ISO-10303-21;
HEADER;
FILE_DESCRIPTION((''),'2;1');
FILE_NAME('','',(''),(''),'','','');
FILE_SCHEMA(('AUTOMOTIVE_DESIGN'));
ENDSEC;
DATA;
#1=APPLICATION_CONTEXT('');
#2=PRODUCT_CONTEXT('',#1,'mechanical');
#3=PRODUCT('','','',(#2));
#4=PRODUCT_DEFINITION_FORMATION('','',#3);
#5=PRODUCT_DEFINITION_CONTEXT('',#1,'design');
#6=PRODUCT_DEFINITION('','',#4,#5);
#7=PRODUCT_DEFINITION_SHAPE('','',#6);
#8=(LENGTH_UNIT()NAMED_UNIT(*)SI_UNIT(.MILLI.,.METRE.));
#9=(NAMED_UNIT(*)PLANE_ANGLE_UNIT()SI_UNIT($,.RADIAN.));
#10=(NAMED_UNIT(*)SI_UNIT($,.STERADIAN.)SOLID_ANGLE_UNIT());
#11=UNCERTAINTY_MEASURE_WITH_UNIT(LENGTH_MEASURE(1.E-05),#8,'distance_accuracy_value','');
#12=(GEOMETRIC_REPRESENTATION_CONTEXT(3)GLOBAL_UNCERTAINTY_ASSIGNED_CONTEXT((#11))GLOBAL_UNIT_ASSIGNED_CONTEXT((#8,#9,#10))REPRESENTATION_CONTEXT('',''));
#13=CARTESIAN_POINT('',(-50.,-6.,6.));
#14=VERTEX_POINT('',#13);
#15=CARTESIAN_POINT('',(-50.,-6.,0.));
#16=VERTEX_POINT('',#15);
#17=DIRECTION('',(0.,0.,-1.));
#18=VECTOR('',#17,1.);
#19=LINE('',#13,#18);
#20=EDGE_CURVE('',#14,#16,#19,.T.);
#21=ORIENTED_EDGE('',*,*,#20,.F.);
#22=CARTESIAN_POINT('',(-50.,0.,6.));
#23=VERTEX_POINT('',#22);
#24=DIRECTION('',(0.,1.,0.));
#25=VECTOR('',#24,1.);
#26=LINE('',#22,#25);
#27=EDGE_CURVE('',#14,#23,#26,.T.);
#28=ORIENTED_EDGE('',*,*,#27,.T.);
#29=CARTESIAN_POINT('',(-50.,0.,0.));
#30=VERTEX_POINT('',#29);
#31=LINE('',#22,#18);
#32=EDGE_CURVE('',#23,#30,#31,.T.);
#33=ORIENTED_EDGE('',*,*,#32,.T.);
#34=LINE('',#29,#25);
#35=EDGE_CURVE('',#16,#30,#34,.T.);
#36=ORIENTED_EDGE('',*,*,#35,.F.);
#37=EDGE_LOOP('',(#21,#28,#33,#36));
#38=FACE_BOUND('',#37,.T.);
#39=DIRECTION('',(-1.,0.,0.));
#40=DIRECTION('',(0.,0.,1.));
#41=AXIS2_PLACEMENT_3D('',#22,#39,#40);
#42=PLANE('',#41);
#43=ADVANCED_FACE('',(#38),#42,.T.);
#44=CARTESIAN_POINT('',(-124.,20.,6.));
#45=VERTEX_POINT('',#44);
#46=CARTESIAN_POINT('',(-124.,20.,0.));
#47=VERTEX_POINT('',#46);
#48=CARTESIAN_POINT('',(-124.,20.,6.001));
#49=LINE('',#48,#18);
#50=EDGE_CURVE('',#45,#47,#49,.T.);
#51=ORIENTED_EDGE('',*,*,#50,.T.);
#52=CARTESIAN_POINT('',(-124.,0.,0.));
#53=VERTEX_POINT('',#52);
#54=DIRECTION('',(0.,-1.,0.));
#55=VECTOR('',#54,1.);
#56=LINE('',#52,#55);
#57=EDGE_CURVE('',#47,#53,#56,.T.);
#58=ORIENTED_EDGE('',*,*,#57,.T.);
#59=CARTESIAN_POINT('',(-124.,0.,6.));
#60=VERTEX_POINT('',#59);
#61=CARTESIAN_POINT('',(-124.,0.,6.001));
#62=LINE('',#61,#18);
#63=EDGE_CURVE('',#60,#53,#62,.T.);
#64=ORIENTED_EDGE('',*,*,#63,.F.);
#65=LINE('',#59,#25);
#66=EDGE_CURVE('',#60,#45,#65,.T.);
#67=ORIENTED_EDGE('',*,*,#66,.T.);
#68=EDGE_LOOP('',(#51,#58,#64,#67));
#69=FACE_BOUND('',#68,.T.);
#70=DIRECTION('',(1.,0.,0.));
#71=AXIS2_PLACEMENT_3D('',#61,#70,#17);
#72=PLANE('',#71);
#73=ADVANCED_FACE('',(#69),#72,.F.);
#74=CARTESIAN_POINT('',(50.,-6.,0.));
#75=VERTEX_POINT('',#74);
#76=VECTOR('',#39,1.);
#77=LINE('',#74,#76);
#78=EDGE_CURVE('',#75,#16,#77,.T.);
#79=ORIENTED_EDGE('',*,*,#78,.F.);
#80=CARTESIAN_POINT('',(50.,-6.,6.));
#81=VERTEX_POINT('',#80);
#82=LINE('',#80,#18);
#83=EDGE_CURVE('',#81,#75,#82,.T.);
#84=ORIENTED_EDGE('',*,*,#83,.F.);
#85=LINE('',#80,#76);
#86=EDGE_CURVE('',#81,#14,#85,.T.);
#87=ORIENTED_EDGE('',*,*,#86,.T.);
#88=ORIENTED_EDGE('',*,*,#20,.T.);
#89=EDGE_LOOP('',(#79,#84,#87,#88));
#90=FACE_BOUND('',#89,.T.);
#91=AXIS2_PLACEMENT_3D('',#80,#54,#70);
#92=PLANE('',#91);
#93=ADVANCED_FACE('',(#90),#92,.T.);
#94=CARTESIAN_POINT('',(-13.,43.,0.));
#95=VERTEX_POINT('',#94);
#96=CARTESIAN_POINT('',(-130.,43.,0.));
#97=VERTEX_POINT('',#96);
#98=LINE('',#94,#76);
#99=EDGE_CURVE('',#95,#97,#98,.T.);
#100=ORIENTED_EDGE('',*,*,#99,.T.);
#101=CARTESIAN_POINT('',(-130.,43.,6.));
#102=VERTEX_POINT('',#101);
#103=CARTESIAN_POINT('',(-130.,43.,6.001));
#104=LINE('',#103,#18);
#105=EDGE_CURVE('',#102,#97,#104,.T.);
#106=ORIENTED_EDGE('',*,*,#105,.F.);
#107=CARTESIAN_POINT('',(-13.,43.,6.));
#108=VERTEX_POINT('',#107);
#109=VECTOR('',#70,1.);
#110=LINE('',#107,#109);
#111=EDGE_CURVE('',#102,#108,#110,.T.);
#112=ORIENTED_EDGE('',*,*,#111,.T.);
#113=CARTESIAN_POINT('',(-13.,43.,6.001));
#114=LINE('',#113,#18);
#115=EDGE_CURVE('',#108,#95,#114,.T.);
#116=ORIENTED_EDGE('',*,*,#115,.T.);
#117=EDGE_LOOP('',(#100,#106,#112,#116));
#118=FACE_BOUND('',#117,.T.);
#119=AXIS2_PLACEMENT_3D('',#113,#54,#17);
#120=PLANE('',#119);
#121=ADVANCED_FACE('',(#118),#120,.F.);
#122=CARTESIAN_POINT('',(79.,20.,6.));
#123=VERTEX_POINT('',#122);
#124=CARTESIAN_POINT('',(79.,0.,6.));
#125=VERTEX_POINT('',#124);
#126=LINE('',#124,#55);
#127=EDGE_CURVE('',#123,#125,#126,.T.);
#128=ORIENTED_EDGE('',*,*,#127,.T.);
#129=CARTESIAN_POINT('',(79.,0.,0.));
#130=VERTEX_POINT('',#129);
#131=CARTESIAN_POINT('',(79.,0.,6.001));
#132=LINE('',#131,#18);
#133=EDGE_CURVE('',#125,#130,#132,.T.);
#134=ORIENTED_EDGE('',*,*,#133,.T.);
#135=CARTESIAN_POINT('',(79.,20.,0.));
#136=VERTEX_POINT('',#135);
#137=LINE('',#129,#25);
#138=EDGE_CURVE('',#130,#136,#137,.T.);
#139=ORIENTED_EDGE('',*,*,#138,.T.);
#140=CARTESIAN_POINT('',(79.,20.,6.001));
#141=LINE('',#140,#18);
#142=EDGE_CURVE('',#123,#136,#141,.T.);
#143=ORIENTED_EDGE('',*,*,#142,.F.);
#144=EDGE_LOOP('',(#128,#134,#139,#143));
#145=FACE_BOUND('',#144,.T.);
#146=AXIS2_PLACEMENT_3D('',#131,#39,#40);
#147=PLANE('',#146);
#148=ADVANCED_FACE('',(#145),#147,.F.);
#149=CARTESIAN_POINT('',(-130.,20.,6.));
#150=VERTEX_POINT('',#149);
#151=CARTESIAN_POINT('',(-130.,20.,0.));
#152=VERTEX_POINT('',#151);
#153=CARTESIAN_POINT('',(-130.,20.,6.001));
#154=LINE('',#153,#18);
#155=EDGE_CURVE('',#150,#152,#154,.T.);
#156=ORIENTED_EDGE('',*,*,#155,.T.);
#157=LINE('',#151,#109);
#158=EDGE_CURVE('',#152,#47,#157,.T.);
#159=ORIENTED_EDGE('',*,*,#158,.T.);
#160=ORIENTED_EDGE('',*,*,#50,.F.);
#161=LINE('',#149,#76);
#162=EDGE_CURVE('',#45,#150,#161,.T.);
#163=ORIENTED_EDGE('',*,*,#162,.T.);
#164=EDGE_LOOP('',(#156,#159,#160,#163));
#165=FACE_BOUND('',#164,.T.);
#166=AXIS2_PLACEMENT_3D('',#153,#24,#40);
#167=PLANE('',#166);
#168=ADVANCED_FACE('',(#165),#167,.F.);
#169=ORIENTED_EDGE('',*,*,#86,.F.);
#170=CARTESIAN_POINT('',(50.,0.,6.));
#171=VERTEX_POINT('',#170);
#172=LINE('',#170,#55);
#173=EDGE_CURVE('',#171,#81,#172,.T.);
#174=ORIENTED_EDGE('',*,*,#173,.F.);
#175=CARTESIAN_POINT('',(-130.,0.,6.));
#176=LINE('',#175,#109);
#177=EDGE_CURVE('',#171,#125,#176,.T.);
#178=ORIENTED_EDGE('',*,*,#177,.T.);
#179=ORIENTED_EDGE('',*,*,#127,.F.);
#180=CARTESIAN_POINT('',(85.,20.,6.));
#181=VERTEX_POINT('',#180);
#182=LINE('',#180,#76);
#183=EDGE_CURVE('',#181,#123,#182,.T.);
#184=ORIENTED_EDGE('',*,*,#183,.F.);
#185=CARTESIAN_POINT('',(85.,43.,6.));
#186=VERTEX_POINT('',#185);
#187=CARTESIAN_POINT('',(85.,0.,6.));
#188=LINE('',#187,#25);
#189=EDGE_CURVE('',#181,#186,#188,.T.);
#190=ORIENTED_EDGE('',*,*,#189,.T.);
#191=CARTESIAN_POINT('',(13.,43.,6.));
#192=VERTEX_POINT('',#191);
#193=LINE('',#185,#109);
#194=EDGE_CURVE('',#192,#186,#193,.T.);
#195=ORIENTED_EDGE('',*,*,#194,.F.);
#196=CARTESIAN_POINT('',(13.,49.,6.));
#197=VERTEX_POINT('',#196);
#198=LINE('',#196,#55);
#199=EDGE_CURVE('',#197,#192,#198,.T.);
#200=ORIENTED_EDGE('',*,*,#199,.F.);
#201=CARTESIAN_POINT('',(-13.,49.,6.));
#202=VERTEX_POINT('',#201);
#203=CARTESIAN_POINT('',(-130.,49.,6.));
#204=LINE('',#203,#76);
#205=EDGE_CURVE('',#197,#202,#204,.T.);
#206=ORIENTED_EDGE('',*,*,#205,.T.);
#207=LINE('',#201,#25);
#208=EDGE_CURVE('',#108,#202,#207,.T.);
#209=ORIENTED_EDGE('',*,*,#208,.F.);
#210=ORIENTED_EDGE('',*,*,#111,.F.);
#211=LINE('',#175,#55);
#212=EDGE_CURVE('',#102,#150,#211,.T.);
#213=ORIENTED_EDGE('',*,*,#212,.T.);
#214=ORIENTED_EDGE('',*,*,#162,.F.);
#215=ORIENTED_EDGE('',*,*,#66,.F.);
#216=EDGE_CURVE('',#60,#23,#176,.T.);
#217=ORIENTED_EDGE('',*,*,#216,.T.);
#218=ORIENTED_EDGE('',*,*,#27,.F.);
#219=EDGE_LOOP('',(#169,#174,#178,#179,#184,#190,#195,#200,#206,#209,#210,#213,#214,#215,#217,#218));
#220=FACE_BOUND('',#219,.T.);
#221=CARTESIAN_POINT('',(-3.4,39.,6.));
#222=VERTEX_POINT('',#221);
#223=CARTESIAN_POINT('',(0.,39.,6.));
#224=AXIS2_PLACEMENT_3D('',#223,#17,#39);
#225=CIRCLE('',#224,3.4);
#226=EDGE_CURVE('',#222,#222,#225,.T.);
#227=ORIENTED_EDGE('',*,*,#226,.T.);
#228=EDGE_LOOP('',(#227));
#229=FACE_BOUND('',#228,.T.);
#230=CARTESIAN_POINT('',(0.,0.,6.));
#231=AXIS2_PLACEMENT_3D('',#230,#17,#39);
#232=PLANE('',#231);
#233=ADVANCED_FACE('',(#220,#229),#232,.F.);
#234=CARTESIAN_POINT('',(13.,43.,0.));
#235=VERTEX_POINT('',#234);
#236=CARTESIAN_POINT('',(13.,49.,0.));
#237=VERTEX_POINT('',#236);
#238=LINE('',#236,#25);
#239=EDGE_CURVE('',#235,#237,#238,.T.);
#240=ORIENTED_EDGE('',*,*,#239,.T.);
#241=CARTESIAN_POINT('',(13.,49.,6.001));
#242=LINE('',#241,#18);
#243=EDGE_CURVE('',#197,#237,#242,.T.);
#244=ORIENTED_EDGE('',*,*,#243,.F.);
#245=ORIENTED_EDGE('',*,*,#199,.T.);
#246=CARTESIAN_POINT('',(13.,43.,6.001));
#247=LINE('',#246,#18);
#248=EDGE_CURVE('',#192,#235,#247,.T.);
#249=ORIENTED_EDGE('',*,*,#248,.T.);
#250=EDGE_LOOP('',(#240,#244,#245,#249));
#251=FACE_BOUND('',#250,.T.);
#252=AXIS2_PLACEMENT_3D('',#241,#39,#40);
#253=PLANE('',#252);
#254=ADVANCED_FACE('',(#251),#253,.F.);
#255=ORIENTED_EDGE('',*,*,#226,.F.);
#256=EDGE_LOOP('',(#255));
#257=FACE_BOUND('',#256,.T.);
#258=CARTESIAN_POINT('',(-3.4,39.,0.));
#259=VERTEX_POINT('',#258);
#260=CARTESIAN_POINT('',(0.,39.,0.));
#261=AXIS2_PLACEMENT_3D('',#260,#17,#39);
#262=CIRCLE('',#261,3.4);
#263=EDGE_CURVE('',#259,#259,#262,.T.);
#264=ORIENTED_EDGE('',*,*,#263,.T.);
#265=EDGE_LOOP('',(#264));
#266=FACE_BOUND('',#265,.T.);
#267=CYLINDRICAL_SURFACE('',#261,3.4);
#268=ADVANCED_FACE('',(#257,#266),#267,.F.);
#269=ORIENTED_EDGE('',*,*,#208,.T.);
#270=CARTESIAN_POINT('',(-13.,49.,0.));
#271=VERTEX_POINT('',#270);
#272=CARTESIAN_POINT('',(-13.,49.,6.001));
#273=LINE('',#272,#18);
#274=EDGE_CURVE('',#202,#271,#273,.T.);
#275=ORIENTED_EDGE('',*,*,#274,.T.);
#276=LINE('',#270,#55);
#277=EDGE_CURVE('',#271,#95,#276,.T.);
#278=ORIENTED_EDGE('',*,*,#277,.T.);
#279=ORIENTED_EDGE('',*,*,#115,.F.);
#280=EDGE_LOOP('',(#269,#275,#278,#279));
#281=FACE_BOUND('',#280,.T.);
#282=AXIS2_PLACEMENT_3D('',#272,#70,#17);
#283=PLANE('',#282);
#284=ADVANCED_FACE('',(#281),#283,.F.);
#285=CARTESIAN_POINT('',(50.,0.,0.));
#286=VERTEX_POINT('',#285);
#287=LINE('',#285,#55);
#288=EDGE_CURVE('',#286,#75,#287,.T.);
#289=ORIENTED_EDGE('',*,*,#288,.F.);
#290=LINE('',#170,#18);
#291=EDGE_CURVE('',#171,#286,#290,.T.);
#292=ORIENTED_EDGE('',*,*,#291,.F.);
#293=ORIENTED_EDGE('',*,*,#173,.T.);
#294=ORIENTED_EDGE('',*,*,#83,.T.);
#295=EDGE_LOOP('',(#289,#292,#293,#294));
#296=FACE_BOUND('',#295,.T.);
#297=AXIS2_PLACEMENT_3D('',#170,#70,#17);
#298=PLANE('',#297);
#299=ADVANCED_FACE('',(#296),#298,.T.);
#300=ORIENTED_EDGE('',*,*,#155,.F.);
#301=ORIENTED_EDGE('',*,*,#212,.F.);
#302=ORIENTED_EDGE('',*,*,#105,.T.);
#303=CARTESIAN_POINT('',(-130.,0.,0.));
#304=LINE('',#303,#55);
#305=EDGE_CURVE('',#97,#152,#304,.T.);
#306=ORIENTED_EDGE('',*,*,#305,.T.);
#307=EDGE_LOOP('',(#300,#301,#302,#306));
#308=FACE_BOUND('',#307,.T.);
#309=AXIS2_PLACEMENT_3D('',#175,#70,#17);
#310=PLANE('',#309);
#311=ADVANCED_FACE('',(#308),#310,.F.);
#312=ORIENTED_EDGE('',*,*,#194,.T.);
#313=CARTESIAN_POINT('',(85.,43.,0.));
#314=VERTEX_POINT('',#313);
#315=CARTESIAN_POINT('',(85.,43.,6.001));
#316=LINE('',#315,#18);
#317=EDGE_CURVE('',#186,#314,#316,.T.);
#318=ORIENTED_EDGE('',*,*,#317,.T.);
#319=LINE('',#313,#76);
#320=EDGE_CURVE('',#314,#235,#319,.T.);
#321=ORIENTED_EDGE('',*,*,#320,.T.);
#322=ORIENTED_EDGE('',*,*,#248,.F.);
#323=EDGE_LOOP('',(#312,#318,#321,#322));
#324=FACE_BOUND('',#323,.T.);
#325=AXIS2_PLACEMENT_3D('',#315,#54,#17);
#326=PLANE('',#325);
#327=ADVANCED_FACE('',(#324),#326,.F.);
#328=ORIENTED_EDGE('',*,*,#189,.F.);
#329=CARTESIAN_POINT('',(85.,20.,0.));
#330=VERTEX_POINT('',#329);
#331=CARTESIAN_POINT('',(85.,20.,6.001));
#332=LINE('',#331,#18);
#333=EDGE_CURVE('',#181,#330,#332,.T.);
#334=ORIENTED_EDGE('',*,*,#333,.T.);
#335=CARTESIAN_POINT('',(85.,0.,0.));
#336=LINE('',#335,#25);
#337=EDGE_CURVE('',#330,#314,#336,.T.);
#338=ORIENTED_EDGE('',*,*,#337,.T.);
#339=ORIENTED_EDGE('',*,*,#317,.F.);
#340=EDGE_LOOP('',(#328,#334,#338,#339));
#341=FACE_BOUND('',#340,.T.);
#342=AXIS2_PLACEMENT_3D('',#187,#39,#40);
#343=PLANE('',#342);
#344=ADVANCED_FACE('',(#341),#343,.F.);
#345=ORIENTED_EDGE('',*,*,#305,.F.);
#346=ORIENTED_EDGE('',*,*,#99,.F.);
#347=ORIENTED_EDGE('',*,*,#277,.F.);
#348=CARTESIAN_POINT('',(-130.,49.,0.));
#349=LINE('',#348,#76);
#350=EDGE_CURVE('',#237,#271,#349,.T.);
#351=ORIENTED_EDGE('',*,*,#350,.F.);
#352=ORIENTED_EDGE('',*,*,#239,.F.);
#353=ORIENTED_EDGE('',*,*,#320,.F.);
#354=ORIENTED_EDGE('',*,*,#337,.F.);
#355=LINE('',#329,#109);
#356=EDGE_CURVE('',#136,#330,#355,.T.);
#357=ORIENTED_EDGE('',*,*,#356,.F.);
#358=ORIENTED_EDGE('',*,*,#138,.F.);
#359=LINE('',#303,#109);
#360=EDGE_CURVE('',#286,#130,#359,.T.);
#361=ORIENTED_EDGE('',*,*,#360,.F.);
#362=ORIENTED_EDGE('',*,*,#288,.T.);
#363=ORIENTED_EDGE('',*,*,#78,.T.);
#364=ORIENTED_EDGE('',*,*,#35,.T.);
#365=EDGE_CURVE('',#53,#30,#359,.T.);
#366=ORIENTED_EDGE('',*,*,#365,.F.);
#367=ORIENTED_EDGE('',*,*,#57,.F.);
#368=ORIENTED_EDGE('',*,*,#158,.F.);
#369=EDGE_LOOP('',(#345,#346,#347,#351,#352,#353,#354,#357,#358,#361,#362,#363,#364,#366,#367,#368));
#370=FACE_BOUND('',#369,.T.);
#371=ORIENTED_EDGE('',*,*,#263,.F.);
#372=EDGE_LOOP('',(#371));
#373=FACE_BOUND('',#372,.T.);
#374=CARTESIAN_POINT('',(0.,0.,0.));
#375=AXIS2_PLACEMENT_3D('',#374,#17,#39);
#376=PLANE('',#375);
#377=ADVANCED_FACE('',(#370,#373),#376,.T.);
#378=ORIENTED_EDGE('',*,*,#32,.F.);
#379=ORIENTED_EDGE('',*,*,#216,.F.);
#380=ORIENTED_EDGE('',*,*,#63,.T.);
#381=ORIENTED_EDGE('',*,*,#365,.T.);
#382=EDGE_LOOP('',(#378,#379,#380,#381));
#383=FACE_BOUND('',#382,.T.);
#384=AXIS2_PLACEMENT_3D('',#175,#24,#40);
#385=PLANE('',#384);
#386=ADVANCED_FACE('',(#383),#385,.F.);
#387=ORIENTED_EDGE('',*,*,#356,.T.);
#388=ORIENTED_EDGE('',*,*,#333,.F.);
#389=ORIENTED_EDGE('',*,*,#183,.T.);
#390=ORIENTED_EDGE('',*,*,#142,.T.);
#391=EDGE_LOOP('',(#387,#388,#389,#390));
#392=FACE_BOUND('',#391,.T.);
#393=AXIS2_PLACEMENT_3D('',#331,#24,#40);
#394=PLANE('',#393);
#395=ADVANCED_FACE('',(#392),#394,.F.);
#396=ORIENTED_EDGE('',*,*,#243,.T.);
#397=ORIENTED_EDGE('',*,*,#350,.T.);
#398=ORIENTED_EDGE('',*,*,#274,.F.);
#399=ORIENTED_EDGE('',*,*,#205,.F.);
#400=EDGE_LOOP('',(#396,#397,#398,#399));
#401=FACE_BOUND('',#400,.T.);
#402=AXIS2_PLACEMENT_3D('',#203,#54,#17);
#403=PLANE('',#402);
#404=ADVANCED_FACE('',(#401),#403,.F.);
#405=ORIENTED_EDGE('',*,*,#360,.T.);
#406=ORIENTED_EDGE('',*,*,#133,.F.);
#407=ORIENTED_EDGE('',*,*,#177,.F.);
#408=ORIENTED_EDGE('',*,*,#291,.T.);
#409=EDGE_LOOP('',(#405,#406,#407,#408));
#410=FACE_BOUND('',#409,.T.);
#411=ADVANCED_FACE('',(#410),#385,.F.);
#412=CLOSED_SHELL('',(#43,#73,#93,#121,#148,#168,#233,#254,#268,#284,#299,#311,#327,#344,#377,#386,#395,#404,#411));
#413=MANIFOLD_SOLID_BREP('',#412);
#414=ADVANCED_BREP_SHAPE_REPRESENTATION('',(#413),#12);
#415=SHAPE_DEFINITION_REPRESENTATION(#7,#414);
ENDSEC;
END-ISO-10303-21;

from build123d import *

# Parameters (mm, degrees)
SKETCH1_W              = 215
SKETCH1_H              = 49
BOSS_EXTRUDE1_DEPTH    = 6
CUT_EXTRUDE1_REACH     = 141.058
SKETCH2_W              = 72
SKETCH2_H              = 6
SKETCH2_W_2            = 117
M8X1_25_TAPPED_HOLE1_D = 6.8
CUT_EXTRUDE2_REACH     = 141.058
SKETCH5_W              = 6
SKETCH5_H              = 20
SKETCH6_W              = 100
SKETCH6_H              = 6
BOSS_EXTRUDE2_DEPTH    = 6


with BuildPart() as part:
    # Sketch1 → Boss-Extrude1 (new body)
    with BuildSketch(Plane.XY):
        with Locations((-22.5, 24.5)):
            Rectangle(SKETCH1_W, SKETCH1_H)
    extrude(amount=BOSS_EXTRUDE1_DEPTH)

    # Sketch2 → Cut-Extrude1 (cut, up to next)
    with BuildSketch(Plane(origin=(0, 0, 0), x_dir=(-1, 0, 0), z_dir=(0, 0, -1)), mode=Mode.PRIVATE) as cut_extrude1_sk1:
        with Locations((-49, 46)):
            Rectangle(SKETCH2_W, SKETCH2_H)
    cut_extrude1_tool1 = extrude(cut_extrude1_sk1.sketch, amount=-CUT_EXTRUDE1_REACH, mode=Mode.PRIVATE) & part.part
    # Sketch2 → Cut-Extrude1 (cut, up to next)
    with BuildSketch(Plane(origin=(0, 0, 0), x_dir=(-1, 0, 0), z_dir=(0, 0, -1)), mode=Mode.PRIVATE) as cut_extrude1_sk2:
        with Locations((71.5, 46)):
            Rectangle(SKETCH2_W_2, SKETCH2_H)
    cut_extrude1_tool2 = extrude(cut_extrude1_sk2.sketch, amount=-CUT_EXTRUDE1_REACH, mode=Mode.PRIVATE) & part.part
    add(cut_extrude1_tool1.solids().sort_by_distance((49, 46, 0))[0], mode=Mode.SUBTRACT)
    add(cut_extrude1_tool2.solids().sort_by_distance((-71.5, 46, 0))[0], mode=Mode.SUBTRACT)

    # M8x1.25 Tapped Hole1 (through all)
    with Locations(Plane(origin=(0, 0, 0), x_dir=(-1, 0, 0), z_dir=(0, 0, -1))):
        with Locations((0, 39)):
            Hole(M8X1_25_TAPPED_HOLE1_D / 2)

    # Sketch5 → Cut-Extrude2 (cut, up to next)
    with BuildSketch(Plane(origin=(0, 0, 0), x_dir=(-1, 0, 0), z_dir=(0, 0, -1)), mode=Mode.PRIVATE) as cut_extrude2_sk1:
        with Locations((-82, 10)):
            Rectangle(SKETCH5_W, SKETCH5_H)
    cut_extrude2_tool1 = extrude(cut_extrude2_sk1.sketch, amount=-CUT_EXTRUDE2_REACH, mode=Mode.PRIVATE) & part.part
    # Sketch5 → Cut-Extrude2 (cut, up to next)
    with BuildSketch(Plane(origin=(0, 0, 0), x_dir=(-1, 0, 0), z_dir=(0, 0, -1)), mode=Mode.PRIVATE) as cut_extrude2_sk2:
        with Locations((127, 10)):
            Rectangle(SKETCH5_W, SKETCH5_H)
    cut_extrude2_tool2 = extrude(cut_extrude2_sk2.sketch, amount=-CUT_EXTRUDE2_REACH, mode=Mode.PRIVATE) & part.part
    add(cut_extrude2_tool1.solids().sort_by_distance((82, 10, 0))[0], mode=Mode.SUBTRACT)
    add(cut_extrude2_tool2.solids().sort_by_distance((-127, 10, 0))[0], mode=Mode.SUBTRACT)

    # Sketch6 → Boss-Extrude2 (add)
    with BuildSketch(Plane(origin=(0, 0, 0), x_dir=(-1, 0, 0), z_dir=(0, 0, -1))):
        with Locations((0, -3)):
            Rectangle(SKETCH6_W, SKETCH6_H)
    extrude(amount=-BOSS_EXTRUDE2_DEPTH)


solid = part.part
